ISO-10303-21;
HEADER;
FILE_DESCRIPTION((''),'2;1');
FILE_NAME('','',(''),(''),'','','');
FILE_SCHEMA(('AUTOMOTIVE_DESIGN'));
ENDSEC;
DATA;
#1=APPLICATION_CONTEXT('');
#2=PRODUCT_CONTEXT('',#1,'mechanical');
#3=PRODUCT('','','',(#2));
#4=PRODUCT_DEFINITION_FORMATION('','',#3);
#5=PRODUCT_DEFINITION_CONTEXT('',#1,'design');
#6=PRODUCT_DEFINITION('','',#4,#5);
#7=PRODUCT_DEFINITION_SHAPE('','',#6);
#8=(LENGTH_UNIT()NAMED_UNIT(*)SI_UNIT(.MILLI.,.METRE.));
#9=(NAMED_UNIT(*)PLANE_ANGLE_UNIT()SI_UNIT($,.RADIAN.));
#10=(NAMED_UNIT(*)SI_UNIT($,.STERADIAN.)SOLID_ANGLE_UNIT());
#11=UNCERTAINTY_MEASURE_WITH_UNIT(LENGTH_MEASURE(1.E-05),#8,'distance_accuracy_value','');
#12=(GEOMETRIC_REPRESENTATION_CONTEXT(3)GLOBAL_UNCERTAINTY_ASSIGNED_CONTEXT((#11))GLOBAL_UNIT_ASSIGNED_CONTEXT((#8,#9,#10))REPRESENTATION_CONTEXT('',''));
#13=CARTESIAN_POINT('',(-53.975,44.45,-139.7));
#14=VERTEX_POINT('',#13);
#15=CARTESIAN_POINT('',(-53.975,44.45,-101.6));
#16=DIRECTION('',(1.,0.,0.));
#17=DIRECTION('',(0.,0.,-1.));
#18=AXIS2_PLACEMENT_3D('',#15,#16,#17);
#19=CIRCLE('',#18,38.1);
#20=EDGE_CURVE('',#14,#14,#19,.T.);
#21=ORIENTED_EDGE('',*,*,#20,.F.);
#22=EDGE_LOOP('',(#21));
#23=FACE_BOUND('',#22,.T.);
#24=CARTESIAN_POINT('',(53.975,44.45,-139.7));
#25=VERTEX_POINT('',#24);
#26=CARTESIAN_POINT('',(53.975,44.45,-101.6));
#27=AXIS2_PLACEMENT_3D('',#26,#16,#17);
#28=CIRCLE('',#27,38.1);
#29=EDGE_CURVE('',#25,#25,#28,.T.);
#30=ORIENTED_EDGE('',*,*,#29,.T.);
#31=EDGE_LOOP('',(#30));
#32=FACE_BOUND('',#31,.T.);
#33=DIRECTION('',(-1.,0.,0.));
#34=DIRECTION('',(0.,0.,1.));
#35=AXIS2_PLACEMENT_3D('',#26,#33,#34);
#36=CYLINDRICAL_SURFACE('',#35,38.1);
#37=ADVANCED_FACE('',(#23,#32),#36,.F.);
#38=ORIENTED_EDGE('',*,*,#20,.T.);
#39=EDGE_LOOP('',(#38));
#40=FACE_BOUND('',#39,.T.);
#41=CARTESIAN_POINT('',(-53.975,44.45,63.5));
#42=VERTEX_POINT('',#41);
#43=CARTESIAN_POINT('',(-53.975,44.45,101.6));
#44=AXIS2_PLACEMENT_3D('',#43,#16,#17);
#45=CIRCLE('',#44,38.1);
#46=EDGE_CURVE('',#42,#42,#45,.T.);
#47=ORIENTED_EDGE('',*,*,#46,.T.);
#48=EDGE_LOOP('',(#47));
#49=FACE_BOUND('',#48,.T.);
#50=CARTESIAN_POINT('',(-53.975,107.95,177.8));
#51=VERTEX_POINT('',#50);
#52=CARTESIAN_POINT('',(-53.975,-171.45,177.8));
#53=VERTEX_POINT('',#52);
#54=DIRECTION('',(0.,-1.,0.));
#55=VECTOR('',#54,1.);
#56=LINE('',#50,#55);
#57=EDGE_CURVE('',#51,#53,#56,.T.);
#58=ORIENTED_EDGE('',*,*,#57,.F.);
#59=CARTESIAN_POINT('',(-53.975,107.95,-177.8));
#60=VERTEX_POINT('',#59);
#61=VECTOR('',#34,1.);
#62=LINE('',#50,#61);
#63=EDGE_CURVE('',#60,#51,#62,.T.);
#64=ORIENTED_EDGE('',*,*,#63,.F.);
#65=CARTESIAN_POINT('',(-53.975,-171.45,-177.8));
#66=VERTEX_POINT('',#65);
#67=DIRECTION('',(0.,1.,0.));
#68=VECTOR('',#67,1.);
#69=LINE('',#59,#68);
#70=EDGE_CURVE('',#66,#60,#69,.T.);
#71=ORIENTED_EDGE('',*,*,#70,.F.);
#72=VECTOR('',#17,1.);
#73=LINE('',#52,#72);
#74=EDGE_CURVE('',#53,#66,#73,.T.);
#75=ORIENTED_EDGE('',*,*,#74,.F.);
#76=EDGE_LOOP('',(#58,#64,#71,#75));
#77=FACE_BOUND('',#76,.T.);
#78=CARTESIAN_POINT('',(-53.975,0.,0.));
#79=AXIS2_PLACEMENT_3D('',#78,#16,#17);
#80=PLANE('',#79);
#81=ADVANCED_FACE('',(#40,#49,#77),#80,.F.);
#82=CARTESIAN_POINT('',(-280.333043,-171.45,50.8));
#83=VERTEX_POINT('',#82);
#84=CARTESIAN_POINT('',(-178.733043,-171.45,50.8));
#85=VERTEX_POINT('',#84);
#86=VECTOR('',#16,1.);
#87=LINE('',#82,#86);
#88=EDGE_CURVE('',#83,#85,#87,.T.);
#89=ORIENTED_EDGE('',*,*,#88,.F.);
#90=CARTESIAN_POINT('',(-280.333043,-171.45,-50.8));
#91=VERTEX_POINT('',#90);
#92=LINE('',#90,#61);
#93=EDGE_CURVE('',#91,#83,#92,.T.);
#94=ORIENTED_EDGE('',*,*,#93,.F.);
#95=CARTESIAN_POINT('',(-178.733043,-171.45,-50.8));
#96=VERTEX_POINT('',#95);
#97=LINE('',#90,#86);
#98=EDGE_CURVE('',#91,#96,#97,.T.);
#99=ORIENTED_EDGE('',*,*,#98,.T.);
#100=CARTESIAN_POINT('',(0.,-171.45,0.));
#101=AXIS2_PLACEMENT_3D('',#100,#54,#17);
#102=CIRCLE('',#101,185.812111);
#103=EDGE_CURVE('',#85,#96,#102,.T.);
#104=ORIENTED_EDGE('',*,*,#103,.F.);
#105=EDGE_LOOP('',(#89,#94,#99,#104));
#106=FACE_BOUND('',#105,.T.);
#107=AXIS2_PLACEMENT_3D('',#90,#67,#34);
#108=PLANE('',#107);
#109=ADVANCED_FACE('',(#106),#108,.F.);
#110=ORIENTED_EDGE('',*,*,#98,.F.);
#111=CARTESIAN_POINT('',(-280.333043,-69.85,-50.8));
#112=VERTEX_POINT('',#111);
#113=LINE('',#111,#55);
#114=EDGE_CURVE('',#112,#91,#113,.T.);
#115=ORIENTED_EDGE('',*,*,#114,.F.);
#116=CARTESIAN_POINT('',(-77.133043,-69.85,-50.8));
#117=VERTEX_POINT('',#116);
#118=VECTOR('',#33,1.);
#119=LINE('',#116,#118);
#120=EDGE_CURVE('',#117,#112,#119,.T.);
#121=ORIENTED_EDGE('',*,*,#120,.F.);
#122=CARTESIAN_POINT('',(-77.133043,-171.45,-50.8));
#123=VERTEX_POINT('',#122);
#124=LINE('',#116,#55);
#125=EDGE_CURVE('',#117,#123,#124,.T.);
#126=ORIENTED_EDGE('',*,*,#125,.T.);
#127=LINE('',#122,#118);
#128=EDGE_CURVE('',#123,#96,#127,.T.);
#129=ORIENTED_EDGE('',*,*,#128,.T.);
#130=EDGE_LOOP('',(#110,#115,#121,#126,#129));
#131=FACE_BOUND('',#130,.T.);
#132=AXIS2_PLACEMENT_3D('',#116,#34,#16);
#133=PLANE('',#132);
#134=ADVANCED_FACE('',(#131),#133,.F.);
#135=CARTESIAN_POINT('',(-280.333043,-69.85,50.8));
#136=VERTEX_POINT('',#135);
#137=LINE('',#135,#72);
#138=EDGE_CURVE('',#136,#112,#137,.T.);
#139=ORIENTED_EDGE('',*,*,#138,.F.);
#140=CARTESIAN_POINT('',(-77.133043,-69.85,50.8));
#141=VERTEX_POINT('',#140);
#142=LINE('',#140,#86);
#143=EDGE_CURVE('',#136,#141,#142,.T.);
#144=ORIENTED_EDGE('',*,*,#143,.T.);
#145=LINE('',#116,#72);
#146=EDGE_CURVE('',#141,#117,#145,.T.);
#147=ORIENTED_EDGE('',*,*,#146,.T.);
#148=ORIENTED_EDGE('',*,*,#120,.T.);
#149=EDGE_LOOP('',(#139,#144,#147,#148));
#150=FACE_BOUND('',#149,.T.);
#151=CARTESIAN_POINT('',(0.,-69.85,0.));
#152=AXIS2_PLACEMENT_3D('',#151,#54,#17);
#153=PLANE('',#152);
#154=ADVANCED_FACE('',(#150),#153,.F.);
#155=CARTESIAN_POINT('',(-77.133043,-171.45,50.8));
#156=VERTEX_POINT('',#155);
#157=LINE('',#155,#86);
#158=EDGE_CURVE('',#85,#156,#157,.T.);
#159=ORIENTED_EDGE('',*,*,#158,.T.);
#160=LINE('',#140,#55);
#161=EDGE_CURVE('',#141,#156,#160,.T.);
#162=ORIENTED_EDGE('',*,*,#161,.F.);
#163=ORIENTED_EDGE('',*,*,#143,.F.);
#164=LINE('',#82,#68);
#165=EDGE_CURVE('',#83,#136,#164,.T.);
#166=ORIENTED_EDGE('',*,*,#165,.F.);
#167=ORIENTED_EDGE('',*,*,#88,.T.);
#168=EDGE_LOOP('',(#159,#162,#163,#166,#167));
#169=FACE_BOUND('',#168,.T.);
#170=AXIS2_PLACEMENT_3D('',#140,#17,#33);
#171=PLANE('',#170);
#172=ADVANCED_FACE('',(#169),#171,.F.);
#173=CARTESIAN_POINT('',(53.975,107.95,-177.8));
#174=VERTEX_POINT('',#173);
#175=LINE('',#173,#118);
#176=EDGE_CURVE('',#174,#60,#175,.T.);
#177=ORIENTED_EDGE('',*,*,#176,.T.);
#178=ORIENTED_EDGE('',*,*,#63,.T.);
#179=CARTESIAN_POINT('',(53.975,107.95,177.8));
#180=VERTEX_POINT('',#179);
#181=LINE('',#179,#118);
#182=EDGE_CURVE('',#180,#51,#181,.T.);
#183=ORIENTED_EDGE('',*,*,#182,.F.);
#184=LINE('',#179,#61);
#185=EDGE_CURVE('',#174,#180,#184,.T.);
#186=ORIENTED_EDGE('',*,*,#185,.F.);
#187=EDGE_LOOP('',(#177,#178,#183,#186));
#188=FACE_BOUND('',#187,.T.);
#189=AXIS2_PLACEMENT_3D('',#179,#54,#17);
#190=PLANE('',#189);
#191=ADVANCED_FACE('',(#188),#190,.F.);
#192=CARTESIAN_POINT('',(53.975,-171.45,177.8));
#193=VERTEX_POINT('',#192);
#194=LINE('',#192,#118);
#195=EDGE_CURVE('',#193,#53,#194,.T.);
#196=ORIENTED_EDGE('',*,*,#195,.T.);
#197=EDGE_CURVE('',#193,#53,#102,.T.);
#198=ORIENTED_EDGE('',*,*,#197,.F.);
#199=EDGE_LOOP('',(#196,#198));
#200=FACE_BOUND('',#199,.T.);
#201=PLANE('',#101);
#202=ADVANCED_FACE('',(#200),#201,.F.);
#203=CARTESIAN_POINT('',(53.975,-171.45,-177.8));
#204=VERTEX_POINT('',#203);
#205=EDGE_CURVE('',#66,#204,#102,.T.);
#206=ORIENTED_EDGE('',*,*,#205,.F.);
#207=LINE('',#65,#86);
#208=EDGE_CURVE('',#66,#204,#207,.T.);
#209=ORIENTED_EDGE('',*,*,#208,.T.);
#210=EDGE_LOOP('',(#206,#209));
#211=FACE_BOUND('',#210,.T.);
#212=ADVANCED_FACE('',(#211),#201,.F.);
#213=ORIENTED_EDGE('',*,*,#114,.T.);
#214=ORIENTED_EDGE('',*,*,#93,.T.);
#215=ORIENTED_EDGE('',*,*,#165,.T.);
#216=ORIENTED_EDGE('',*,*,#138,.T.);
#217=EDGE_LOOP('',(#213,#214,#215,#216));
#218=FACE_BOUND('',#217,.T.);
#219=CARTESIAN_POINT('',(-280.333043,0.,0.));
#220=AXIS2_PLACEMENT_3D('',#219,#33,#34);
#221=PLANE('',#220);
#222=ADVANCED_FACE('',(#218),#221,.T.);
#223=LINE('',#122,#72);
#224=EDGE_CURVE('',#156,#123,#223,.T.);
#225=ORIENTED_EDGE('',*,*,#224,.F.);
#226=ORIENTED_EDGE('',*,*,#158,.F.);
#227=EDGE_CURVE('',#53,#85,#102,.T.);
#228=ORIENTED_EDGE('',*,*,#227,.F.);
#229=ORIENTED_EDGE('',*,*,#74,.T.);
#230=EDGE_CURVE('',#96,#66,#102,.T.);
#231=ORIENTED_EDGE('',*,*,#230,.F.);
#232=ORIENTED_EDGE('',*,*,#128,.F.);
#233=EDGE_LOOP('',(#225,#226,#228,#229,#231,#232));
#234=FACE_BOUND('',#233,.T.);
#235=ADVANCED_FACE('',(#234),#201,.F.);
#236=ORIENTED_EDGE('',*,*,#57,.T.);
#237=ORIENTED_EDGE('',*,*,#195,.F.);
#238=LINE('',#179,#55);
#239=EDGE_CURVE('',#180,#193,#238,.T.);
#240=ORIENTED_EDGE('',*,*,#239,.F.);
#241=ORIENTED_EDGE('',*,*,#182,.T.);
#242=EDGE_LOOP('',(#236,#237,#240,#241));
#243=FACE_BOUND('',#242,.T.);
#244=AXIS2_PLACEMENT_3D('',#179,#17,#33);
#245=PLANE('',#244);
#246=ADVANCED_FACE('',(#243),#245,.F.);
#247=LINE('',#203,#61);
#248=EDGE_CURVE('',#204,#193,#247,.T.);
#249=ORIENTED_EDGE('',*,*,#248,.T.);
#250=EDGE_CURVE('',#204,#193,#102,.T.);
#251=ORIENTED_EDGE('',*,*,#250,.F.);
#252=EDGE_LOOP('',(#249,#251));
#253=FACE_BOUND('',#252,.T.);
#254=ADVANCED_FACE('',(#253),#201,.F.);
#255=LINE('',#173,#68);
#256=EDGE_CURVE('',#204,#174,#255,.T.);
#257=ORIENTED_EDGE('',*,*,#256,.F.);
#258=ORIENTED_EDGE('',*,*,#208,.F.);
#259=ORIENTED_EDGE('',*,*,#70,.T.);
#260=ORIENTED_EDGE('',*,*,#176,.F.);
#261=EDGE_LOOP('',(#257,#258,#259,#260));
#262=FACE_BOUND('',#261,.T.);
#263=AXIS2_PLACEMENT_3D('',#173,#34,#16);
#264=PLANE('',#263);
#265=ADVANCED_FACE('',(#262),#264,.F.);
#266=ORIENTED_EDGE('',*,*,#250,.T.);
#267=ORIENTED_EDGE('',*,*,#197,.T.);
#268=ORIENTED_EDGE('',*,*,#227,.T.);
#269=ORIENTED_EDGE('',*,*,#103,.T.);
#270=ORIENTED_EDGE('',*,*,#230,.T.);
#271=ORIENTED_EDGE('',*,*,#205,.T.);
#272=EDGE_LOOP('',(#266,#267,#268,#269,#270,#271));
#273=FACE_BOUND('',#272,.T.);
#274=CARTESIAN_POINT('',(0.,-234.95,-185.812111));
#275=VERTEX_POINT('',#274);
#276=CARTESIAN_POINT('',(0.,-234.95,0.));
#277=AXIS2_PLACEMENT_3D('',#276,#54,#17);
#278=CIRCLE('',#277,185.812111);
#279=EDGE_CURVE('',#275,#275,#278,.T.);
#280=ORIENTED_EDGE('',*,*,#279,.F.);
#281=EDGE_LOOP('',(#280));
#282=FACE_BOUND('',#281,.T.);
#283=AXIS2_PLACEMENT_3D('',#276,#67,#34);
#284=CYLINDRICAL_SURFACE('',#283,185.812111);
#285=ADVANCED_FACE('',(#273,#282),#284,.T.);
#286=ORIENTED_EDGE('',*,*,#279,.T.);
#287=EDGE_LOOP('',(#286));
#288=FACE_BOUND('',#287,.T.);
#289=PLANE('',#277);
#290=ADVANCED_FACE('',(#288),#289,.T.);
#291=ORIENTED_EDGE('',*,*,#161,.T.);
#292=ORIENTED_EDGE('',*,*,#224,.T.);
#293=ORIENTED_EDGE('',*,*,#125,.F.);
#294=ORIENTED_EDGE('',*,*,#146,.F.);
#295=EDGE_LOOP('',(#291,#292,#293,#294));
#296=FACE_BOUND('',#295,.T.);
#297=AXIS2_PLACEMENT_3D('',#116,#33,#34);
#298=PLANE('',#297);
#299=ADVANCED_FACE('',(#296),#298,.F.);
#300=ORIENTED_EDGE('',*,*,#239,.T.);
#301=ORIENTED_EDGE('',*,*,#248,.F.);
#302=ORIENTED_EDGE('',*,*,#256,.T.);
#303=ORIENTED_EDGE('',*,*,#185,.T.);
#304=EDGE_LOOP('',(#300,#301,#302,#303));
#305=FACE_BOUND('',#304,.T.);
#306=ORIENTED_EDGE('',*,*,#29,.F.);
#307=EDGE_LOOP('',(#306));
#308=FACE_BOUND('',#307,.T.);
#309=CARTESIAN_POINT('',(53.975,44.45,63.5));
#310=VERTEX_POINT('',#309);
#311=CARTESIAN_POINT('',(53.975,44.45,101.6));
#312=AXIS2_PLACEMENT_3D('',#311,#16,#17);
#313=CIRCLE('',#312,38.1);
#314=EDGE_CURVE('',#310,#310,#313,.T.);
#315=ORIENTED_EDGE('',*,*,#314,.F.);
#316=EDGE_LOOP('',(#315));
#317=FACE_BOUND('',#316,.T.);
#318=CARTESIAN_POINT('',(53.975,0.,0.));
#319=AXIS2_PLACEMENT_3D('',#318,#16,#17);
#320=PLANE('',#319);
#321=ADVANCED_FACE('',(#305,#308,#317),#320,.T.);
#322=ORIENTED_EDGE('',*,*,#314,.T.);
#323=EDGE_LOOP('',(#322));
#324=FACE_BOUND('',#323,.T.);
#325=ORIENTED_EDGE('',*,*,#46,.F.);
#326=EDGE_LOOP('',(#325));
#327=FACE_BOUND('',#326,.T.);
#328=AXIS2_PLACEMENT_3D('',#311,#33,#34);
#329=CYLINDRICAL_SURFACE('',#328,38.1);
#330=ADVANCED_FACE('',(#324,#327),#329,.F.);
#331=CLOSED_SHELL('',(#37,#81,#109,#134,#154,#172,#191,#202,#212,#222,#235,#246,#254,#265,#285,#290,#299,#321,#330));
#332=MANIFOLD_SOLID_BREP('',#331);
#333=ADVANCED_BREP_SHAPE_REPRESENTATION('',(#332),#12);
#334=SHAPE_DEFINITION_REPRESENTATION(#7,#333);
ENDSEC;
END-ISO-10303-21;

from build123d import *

# Parameters (mm, degrees)
SKETCH1_W           = 355.6
SKETCH1_H           = 215.9
SKETCH1_R           = 38.1
BOSS_EXTRUDE1_DEPTH = 53.975
SKETCH4_W           = 107.95
SKETCH4_H           = 355.6
BOSS_EXTRUDE4_DEPTH = 63.5
SKETCH2_W           = 107.95
SKETCH2_H           = 355.6
BOSS_EXTRUDE5_DEPTH = 63.5
SKETCH3_W           = 101.6
SKETCH3_H           = 101.6
BOSS_EXTRUDE3_DEPTH = 101.6
SKETCH5_W           = 101.6
SKETCH5_H           = 101.6
BOSS_EXTRUDE6_DEPTH = 101.6


with BuildPart() as part:
    # Sketch1 → Boss-Extrude1 (new, symmetric)
    with BuildSketch(Plane(origin=(0, 0, 0), x_dir=(0, 0, -1), z_dir=(1, 0, 0))):
        Rectangle(SKETCH1_W, SKETCH1_H)
        with Locations((-101.6, 44.45)):
            Circle(SKETCH1_R, mode=Mode.SUBTRACT)
        with Locations((101.6, 44.45)):
            Circle(SKETCH1_R, mode=Mode.SUBTRACT)
    extrude(amount=BOSS_EXTRUDE1_DEPTH, both=True)

    # Sketch4 → Boss-Extrude4 (add)
    with BuildSketch(Plane.XZ.offset(107.95)):
        Rectangle(SKETCH4_W, SKETCH4_H)
    extrude(amount=BOSS_EXTRUDE4_DEPTH)

    # Sketch2 → Boss-Extrude5 (add)
    with BuildSketch(Plane.XZ.offset(171.45)):
        with BuildLine():
            Line((-53.975, -177.8), (-53.975, 177.8))
            ThreePointArc((-53.975, 177.8), (-185.812111083, 0), (-53.975, -177.8))
        make_face()
        Rectangle(SKETCH2_W, SKETCH2_H)
        with BuildLine():
            ThreePointArc((185.812111083, 0), (149.257075746, 110.672787824), (53.975, 177.8))
            Line((53.975, 177.8), (53.975, -177.8))
            ThreePointArc((53.975, -177.8), (149.257075746, -110.672787824), (185.812111083, 0))
        make_face()
        with BuildLine():
            ThreePointArc((-53.975, -177.8), (0, -185.812111083), (53.975, -177.8))
            Line((53.975, -177.8), (-53.975, -177.8))
        make_face()
        with BuildLine():
            Line((-53.975, 177.8), (53.975, 177.8))
            ThreePointArc((53.975, 177.8), (0, 185.812111083), (-53.975, 177.8))
        make_face()
    extrude(amount=BOSS_EXTRUDE5_DEPTH)

    # Sketch3 → Boss-Extrude3 (add)
    with BuildSketch(Plane(origin=(0, -171.45, 0), x_dir=(1, 0, 0), z_dir=(0, 1, 0))):
        with Locations((-127.933042902, 0)):
            Rectangle(SKETCH3_W, SKETCH3_H)
    extrude(amount=BOSS_EXTRUDE3_DEPTH)

    # Sketch5 → Boss-Extrude6 (add)
    with BuildSketch(Plane.ZY.offset(178.733042902)):
        with Locations((0, -120.65)):
            Rectangle(SKETCH5_W, SKETCH5_H)
    extrude(amount=BOSS_EXTRUDE6_DEPTH)


solid = part.part
